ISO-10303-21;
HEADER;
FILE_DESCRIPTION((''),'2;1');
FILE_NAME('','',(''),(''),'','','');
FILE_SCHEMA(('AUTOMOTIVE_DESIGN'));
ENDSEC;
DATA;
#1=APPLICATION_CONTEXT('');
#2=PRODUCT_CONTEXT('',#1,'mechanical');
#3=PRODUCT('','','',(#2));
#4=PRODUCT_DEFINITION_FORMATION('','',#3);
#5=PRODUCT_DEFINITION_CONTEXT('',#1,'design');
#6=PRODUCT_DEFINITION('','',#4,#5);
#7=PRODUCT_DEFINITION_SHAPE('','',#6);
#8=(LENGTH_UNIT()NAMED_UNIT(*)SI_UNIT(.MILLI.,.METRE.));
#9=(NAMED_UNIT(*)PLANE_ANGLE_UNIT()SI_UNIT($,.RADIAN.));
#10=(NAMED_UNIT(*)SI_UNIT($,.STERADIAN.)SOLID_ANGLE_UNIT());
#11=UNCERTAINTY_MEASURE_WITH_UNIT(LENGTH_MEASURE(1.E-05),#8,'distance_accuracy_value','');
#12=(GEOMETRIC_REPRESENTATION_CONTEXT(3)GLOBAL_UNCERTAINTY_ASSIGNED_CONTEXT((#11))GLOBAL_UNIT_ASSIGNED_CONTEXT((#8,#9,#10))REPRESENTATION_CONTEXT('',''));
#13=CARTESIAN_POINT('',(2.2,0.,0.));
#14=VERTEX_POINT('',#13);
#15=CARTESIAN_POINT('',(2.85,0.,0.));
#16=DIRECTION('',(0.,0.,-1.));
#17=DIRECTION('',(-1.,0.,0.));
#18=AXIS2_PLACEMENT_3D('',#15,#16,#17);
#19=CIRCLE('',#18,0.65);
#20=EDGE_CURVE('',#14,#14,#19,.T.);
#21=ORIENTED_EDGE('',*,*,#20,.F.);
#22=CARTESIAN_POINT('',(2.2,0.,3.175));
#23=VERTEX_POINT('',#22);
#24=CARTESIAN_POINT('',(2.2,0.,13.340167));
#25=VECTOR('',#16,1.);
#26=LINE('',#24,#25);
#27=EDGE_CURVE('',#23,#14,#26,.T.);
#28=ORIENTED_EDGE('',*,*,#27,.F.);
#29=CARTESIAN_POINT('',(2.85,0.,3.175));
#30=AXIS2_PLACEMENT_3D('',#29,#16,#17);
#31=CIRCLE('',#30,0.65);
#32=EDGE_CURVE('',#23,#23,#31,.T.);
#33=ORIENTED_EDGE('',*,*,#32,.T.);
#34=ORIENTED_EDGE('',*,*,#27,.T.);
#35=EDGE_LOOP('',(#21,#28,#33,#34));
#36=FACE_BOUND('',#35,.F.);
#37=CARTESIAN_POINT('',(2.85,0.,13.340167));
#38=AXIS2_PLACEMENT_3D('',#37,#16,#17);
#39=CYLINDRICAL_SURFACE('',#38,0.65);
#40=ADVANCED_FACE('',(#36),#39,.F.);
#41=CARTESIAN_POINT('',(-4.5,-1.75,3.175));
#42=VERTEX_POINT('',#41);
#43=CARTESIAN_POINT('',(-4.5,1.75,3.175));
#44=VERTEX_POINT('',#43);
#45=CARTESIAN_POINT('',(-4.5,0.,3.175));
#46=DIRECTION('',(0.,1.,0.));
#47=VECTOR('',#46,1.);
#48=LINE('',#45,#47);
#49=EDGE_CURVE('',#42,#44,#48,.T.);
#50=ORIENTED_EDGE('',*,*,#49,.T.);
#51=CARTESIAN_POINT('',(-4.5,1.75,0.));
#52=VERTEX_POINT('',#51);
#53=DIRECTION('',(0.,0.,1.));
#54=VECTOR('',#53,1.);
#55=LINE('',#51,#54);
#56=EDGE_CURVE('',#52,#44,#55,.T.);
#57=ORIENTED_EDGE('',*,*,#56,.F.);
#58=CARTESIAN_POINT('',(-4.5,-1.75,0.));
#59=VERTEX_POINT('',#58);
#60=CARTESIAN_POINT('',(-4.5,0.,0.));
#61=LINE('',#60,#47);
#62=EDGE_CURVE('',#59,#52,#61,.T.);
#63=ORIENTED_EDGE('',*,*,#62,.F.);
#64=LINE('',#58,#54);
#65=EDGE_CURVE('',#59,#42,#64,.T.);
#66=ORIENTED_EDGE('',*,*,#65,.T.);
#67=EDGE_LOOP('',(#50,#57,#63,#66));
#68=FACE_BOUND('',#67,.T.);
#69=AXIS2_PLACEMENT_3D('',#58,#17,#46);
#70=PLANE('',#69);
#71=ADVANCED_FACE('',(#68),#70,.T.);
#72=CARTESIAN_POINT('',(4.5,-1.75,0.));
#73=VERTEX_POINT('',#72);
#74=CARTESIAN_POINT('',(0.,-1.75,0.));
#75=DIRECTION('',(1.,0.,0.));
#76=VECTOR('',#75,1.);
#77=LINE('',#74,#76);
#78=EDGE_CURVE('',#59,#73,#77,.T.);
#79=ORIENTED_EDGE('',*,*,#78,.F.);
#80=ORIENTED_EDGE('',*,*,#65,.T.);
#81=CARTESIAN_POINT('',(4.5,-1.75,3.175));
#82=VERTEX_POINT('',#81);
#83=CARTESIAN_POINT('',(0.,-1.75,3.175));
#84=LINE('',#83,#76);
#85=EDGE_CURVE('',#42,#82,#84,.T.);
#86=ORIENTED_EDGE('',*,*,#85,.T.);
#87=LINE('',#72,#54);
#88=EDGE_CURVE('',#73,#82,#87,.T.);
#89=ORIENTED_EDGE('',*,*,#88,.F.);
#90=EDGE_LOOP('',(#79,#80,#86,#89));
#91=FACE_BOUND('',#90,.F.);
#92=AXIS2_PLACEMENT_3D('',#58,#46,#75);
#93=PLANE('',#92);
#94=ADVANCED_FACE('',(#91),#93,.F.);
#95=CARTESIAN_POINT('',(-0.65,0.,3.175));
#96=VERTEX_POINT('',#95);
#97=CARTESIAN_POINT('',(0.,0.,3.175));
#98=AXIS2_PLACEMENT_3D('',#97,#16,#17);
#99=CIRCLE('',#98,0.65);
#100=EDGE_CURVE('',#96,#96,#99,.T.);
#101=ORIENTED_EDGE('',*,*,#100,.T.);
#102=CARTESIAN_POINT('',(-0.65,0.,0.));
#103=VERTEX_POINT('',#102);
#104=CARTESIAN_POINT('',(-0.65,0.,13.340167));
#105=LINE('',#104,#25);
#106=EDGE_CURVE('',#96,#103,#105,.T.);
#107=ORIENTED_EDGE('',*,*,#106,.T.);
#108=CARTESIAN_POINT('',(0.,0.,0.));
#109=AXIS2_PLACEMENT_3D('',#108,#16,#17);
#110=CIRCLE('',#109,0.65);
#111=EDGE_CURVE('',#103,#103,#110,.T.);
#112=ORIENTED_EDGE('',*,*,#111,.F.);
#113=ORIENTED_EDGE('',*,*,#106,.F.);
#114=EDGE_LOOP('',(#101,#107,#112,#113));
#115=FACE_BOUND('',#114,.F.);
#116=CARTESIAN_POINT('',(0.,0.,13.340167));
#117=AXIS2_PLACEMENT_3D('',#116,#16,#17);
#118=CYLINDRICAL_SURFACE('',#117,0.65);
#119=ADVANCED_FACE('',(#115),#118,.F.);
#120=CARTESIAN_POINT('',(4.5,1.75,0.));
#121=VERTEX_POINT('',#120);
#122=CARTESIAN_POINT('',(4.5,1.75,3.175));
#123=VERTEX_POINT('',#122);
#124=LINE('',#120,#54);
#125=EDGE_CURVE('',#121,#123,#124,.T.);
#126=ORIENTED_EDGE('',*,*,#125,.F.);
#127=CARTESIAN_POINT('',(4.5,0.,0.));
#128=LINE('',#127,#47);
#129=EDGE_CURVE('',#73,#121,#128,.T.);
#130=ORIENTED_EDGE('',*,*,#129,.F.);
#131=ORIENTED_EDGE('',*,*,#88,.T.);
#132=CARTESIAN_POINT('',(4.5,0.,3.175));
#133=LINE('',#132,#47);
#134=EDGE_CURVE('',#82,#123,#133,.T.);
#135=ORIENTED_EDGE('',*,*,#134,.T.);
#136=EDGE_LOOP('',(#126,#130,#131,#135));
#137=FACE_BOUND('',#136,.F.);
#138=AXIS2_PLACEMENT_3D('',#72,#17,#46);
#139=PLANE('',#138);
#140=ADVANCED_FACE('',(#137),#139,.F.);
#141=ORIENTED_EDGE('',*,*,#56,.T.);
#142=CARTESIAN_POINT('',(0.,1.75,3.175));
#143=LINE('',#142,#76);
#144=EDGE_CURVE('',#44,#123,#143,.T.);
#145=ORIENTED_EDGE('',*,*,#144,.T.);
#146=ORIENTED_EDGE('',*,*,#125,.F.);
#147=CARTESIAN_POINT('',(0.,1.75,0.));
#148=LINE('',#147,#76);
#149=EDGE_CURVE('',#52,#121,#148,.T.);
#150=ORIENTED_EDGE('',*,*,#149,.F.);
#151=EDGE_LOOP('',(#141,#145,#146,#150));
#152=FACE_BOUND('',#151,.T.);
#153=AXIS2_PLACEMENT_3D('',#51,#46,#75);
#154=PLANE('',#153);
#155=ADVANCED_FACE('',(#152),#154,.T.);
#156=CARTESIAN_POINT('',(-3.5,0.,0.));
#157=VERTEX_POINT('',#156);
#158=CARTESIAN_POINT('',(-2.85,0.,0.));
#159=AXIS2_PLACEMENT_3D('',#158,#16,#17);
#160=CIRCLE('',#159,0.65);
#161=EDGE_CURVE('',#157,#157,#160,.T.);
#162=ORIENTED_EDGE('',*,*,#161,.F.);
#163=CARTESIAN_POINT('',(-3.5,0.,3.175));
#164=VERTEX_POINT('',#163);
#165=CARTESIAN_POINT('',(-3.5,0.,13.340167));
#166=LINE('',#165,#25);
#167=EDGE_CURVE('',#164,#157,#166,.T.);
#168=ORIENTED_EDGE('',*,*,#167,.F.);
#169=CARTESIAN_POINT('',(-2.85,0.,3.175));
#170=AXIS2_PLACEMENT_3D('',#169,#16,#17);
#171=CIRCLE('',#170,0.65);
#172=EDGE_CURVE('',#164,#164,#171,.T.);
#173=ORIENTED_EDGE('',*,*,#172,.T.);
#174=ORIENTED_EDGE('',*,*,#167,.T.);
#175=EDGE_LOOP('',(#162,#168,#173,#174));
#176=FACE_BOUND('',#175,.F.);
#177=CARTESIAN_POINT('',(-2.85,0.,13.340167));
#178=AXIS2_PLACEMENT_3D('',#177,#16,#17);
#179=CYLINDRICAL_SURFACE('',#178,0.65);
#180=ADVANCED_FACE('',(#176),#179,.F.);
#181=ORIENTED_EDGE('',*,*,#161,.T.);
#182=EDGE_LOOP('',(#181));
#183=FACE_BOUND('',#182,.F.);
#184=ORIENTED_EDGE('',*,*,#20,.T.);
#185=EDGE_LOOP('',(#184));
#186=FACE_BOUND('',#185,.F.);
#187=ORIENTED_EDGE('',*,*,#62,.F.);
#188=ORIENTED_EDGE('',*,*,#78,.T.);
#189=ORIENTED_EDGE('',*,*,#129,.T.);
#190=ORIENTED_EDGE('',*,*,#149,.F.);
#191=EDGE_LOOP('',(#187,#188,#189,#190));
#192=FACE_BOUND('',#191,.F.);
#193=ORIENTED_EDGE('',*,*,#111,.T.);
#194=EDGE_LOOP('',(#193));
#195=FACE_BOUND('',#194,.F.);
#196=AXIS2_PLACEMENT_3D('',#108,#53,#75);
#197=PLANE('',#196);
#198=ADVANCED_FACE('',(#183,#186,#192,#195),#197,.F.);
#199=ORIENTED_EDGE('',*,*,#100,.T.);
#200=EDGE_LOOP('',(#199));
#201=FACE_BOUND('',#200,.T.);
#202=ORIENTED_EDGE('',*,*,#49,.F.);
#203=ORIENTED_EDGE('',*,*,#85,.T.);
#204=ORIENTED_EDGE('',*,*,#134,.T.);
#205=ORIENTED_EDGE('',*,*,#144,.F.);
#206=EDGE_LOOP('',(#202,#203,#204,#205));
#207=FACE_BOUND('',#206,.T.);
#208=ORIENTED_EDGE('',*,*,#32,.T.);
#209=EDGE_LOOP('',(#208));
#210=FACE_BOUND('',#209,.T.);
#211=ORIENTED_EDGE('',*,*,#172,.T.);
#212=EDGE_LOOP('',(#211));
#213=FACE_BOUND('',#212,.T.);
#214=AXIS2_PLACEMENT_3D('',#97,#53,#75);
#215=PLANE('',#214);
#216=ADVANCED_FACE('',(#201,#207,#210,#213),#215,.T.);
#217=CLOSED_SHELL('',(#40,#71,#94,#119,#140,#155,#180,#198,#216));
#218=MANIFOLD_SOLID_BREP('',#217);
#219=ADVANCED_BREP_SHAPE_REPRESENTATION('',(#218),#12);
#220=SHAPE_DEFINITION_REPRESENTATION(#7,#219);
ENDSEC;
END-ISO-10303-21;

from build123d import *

# Parameters (mm, degrees)
F0_W     = 9
F0_H     = 3.5
F1_DEPTH = 3.175
F3_D     = 1.3


with BuildPart() as f1:
    # F0 (on Top) → F1 (new body)
    with BuildSketch(Plane.XY):
        Rectangle(F0_W, F0_H)
    extrude(amount=F1_DEPTH)

    # F3 (through all)
    with Locations(Plane.XY.offset(3.175)):
        with Locations((0, 0), (-2.85, 0), (2.85, 0)):
            Hole(F3_D / 2)


solid = f1.part
